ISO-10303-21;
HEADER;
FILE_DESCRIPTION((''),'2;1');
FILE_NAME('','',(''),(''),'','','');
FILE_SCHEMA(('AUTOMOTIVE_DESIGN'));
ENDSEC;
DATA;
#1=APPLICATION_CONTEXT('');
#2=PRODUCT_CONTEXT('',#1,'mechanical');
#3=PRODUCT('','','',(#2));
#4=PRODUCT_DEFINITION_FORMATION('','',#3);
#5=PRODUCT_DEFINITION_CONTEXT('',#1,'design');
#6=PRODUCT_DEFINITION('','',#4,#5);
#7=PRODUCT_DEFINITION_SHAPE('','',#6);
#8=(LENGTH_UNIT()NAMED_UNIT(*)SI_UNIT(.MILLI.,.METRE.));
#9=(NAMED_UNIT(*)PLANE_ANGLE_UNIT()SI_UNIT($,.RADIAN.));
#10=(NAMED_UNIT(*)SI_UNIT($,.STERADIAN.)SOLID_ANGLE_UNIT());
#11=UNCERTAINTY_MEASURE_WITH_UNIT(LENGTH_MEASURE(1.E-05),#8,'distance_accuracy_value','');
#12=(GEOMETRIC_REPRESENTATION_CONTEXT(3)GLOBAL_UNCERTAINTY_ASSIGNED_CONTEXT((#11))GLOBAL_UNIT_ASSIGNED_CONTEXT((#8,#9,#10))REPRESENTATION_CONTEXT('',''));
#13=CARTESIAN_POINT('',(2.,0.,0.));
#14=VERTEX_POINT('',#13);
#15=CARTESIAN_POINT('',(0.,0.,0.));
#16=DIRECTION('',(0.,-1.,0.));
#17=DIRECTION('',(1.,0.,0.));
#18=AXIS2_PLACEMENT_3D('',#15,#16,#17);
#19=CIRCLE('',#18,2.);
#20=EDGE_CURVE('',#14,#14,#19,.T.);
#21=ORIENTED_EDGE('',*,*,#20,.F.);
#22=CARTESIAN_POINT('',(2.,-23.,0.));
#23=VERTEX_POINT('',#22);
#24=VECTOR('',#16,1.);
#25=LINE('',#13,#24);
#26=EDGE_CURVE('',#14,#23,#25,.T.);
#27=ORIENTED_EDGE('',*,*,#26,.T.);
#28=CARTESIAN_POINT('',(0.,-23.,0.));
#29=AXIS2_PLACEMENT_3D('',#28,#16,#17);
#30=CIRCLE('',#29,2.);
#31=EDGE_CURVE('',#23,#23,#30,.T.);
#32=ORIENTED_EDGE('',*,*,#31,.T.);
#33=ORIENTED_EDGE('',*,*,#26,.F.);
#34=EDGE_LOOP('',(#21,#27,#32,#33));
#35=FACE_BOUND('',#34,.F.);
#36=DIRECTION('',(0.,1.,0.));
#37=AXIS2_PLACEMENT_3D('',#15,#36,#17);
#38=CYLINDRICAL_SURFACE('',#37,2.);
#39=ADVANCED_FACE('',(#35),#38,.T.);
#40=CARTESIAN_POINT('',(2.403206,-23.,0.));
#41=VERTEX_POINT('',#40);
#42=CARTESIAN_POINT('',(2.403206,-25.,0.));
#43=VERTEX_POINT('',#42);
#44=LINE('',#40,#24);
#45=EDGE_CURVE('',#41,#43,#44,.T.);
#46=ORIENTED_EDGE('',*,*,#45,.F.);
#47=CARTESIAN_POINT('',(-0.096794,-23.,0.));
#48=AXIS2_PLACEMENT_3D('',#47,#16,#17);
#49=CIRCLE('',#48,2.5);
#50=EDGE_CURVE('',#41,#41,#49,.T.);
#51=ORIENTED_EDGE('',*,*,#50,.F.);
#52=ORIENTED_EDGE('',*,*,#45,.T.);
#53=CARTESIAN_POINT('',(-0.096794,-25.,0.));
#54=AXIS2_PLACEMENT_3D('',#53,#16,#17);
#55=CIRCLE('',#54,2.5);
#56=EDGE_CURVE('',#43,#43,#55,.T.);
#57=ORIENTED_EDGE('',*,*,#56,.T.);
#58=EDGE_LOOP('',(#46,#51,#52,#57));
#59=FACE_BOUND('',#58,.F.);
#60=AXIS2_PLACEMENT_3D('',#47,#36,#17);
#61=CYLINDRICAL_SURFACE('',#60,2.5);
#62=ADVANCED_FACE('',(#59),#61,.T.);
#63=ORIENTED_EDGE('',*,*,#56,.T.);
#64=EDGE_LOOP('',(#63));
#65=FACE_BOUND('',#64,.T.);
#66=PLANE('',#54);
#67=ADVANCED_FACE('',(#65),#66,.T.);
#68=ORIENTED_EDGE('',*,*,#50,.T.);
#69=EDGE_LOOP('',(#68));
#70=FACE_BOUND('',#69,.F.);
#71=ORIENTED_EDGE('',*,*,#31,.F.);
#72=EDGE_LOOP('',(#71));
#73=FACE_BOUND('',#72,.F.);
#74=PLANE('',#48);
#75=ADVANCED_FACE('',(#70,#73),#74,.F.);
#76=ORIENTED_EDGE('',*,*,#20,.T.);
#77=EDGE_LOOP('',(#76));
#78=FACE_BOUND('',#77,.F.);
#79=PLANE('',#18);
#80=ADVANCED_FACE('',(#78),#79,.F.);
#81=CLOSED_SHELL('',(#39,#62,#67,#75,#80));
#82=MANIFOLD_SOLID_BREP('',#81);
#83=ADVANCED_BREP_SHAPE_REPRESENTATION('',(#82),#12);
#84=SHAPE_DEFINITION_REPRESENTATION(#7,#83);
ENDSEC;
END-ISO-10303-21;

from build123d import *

# Parameters (mm, degrees)
F0_R     = 2
F1_DEPTH = 23
F2_R     = 2.5
F2_R_2   = 2
F3_DEPTH = 2


with BuildPart() as f1:
    # F0 (on Front) → F1 (new body)
    with BuildSketch(Plane.XZ):
        Circle(F0_R)
    extrude(amount=F1_DEPTH)

    # F2 (on face) → F3 (join)
    with BuildSketch(Plane.XZ.offset(23)):
        with Locations((-0.0967943706, 0)):
            Circle(F2_R)
        Circle(F2_R_2, mode=Mode.SUBTRACT)
        Circle(F2_R_2)
    extrude(amount=F3_DEPTH)


solid = f1.part
